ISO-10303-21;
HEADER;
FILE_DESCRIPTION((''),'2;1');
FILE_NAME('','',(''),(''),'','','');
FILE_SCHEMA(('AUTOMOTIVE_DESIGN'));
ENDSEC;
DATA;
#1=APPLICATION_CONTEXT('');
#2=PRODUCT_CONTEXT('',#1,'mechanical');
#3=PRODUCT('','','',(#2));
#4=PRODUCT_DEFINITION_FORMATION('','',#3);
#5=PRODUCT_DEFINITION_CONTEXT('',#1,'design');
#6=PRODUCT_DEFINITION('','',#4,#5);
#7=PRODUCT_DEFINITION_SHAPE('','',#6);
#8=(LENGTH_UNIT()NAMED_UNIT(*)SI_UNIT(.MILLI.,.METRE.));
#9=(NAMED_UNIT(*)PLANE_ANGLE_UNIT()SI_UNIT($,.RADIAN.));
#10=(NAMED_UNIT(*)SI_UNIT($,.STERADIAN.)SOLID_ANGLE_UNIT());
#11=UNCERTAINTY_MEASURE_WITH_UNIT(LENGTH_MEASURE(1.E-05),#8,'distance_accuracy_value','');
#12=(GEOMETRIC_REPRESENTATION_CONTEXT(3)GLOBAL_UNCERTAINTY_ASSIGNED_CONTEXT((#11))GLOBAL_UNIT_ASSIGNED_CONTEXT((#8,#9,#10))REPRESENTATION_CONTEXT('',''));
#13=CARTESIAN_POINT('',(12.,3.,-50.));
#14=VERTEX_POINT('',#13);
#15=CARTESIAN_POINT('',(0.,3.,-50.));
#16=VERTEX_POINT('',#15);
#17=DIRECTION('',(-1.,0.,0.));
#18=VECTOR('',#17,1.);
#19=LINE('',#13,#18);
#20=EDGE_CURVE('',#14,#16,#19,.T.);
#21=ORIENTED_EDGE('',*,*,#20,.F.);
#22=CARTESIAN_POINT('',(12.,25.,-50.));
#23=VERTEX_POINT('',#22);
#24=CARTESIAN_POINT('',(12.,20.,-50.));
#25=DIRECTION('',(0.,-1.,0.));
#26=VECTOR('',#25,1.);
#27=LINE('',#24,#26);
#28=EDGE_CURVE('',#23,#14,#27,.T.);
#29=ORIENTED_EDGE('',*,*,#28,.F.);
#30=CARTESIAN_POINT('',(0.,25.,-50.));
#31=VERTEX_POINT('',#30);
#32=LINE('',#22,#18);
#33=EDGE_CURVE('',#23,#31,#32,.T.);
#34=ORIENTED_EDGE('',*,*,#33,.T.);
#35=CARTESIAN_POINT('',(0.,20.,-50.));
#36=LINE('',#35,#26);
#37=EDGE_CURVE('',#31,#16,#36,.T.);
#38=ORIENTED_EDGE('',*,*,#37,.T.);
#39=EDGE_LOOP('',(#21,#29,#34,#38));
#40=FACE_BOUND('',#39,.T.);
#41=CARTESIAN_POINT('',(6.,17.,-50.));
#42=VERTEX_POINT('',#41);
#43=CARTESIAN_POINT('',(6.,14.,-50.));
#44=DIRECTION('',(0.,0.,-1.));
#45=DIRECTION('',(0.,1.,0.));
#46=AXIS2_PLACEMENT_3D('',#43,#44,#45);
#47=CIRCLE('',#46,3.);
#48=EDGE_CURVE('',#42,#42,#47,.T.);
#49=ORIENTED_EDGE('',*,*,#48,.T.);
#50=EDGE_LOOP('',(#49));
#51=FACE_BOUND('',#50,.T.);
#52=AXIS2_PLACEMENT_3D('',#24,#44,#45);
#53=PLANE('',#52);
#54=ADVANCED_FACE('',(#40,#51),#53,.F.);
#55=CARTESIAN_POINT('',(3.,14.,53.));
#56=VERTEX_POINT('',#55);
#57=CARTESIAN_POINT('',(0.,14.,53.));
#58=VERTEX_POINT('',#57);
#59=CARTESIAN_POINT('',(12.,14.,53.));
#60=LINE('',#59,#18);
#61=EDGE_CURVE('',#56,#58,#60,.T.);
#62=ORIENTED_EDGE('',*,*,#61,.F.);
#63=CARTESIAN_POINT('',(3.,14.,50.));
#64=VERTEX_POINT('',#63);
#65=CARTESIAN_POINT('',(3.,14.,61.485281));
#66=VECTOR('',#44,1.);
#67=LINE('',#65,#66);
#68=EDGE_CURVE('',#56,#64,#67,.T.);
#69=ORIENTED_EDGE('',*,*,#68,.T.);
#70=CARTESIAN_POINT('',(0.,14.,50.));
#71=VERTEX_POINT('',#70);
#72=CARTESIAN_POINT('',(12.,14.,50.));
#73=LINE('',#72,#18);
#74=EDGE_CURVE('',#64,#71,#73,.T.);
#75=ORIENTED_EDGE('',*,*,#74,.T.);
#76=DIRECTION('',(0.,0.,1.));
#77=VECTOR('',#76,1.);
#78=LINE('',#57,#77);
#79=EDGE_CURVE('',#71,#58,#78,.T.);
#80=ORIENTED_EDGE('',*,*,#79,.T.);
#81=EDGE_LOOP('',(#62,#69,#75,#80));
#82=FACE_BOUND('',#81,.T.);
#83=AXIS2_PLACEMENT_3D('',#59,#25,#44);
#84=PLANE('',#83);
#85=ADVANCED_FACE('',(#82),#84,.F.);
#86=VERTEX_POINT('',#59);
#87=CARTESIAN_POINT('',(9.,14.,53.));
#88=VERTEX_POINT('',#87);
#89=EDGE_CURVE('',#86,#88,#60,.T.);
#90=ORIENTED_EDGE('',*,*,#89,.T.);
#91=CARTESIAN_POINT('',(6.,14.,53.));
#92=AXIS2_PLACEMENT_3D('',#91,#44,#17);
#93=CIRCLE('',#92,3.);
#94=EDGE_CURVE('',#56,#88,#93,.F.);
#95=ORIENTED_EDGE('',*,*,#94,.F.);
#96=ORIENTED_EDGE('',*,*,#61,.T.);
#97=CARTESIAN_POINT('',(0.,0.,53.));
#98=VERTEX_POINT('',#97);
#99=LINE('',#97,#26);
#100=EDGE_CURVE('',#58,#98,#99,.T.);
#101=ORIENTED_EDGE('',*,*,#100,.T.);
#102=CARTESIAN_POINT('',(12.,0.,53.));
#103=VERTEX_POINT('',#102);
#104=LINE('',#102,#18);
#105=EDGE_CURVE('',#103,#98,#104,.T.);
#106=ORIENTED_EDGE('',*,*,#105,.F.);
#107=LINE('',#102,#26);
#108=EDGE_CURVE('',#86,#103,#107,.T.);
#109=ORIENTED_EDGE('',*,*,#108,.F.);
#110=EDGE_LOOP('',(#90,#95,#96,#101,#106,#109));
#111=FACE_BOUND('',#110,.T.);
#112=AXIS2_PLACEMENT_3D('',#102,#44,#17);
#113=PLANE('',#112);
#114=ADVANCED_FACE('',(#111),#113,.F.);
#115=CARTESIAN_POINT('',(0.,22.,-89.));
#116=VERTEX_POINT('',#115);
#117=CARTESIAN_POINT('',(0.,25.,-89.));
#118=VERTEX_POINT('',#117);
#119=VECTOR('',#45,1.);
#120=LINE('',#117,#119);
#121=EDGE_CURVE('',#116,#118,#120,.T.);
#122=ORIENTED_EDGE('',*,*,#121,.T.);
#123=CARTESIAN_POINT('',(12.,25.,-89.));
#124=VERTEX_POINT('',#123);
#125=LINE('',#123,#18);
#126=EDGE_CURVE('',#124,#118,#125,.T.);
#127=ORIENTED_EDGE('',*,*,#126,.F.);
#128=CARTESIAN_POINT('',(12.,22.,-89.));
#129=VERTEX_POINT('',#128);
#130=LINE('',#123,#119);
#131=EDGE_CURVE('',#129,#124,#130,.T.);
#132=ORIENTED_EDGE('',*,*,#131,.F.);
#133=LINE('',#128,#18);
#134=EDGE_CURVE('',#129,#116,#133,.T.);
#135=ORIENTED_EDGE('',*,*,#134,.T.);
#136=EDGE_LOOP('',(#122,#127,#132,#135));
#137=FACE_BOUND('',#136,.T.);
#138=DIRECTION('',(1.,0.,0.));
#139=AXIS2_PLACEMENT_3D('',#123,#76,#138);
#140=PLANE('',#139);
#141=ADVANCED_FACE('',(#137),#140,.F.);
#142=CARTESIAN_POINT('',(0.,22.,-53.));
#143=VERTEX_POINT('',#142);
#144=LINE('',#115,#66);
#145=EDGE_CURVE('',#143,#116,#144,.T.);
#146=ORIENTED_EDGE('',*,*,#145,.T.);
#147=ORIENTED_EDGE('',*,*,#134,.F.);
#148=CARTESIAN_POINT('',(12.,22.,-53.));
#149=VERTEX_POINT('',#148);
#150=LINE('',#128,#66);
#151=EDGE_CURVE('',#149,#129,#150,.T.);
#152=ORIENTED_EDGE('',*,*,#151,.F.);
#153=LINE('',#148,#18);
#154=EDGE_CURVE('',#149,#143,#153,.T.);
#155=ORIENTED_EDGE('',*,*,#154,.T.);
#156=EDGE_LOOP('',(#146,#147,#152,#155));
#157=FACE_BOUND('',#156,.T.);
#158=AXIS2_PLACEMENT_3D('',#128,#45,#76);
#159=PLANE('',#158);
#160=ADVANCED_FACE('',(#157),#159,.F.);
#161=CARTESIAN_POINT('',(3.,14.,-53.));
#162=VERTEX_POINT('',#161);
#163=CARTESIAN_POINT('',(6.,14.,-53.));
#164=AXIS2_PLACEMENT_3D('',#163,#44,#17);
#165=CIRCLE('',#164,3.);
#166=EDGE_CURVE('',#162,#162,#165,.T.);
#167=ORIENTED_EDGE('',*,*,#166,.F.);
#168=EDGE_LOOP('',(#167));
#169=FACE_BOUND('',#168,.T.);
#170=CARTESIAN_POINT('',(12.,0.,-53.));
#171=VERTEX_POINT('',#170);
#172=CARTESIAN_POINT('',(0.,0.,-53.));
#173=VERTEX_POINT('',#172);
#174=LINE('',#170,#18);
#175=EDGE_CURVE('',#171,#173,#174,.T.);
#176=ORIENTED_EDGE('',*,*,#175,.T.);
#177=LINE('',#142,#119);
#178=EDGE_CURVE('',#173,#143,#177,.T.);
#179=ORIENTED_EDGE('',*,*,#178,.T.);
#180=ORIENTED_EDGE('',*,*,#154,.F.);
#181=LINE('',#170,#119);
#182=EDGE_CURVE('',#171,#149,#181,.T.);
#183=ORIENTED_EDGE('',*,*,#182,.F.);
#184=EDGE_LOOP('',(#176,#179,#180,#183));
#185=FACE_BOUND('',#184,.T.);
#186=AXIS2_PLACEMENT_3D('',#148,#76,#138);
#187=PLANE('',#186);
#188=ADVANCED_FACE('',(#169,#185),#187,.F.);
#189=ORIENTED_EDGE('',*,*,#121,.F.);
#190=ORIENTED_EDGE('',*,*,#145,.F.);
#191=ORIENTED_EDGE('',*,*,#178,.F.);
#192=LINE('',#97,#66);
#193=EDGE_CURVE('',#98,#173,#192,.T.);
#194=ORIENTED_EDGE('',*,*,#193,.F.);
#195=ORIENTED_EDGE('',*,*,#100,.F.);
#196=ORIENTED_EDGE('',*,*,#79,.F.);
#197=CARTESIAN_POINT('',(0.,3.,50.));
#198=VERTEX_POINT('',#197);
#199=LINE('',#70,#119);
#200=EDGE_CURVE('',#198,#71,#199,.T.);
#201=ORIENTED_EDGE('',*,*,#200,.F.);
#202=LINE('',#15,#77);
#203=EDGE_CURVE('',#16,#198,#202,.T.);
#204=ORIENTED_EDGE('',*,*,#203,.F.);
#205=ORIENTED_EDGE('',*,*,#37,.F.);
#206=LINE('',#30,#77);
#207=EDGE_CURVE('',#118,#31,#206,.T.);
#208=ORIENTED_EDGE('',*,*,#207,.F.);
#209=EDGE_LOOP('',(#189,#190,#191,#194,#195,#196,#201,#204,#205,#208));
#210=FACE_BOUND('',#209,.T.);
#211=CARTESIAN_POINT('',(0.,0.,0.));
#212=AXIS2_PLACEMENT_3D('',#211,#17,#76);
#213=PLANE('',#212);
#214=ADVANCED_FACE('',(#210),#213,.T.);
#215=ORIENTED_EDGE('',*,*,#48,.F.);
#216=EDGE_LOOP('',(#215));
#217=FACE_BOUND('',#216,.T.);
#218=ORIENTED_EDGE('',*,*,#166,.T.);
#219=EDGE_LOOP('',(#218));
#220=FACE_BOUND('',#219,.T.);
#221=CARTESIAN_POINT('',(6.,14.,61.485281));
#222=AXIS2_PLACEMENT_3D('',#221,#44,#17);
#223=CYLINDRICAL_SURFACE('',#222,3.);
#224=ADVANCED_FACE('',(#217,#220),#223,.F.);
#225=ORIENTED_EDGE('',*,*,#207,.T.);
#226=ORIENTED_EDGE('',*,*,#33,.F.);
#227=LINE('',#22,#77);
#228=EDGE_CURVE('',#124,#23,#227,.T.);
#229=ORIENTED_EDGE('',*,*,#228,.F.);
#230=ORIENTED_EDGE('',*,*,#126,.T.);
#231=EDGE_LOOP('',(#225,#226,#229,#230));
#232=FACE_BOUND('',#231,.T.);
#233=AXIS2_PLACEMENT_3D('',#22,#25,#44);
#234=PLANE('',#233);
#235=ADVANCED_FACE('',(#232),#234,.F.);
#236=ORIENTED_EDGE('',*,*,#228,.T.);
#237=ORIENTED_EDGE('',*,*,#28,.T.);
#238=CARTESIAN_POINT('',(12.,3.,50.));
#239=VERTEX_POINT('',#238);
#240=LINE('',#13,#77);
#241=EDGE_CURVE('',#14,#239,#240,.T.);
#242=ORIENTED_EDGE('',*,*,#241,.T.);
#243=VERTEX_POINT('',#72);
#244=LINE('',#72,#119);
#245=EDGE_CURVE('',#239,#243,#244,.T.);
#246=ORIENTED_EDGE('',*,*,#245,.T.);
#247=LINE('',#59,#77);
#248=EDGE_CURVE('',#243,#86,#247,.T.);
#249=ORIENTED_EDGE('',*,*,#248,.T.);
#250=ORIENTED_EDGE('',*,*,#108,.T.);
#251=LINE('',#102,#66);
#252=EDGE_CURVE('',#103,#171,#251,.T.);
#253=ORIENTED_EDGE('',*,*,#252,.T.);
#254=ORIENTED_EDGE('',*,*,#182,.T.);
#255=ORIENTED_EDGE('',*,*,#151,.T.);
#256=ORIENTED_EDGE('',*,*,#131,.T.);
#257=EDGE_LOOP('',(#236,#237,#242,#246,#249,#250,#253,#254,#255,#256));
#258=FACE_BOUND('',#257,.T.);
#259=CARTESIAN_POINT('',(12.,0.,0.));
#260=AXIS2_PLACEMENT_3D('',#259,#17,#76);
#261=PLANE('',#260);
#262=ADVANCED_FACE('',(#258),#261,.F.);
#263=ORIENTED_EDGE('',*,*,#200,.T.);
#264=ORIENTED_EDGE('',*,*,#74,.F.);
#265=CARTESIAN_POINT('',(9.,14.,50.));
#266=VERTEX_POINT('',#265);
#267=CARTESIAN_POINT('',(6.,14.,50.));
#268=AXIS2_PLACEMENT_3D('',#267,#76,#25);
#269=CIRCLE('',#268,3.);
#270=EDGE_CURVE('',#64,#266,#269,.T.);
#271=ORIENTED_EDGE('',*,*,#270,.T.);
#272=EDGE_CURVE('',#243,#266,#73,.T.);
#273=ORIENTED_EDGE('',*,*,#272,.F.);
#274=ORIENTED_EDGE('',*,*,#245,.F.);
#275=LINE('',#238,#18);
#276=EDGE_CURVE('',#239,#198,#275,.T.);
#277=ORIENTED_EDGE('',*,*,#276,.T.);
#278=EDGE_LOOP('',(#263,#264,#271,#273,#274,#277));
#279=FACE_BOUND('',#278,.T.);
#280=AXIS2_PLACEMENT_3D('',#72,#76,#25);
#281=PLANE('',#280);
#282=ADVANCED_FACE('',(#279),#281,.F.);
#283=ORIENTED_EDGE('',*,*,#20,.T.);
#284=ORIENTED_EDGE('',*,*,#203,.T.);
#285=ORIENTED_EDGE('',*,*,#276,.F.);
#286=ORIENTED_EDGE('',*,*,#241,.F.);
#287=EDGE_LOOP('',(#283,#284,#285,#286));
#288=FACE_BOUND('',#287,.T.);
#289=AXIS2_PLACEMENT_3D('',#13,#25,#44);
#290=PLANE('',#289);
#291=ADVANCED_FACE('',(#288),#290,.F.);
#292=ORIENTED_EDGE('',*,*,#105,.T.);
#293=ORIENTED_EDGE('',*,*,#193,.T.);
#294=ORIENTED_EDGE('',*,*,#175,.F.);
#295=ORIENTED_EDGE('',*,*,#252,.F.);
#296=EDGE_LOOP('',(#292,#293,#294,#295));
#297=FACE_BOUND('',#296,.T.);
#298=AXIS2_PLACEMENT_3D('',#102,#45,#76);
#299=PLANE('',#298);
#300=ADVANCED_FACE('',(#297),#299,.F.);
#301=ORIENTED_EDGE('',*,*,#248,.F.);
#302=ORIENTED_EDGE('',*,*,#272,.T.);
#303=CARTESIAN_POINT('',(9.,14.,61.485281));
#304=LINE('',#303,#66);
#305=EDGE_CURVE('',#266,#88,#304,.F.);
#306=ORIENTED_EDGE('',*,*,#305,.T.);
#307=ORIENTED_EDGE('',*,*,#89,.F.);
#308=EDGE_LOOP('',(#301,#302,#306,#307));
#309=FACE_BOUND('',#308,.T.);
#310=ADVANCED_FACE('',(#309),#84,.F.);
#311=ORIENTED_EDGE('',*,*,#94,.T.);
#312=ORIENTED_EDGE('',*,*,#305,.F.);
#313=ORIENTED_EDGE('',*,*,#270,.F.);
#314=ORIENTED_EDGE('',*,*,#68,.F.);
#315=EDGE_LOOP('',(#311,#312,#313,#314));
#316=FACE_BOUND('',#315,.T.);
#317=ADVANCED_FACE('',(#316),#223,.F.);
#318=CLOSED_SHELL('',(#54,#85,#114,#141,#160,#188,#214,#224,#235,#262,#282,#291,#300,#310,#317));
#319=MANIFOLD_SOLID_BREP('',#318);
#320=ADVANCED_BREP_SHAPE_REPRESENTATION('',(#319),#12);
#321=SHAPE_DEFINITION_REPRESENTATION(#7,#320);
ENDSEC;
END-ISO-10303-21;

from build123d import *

# Parameters (mm, degrees)
EXTRUDE_1_DEPTH     = 12
CUT_EXTRUDE_1_REACH = 111.567
SKETCH_3_R          = 3


with BuildPart() as part:
    # 草图2 → 凸台-拉伸1 (new body)
    with BuildSketch(Plane(origin=(0, 0, 0), x_dir=(0, 0, -1), z_dir=(1, 0, 0))):
        Polygon((-53, 0), (53, 0), (53, 20), (53, 22), (89, 22), (89, 25), (50, 25), (50, 20), (50, 3), (-50, 3), (-50, 14), (-53, 14), align=None)
    extrude(amount=EXTRUDE_1_DEPTH)

    # 切除-拉伸1: up to this face of the body (flat: up to its plane)
    cut_extrude_1_end = Plane(part.part.faces().sort_by_distance((6, 7, 53))[0])
    # 草图3 → 切除-拉伸1 (cut, up to the picked face)
    with BuildSketch(Plane(origin=(0, 0, -53), x_dir=(-1, 0, 0), z_dir=(0, 0, -1)), mode=Mode.PRIVATE) as cut_extrude_1_sk1:
        with Locations((-6, 14)):
            Circle(SKETCH_3_R)
    cut_extrude_1_tool1 = split(extrude(cut_extrude_1_sk1.sketch, amount=-CUT_EXTRUDE_1_REACH, mode=Mode.PRIVATE), bisect_by=cut_extrude_1_end, keep=Keep.BOTH, mode=Mode.PRIVATE)
    add(cut_extrude_1_tool1.solids().sort_by(Axis((6, 14, -53), (0, 0, 1)))[0], mode=Mode.SUBTRACT)


solid = part.part
